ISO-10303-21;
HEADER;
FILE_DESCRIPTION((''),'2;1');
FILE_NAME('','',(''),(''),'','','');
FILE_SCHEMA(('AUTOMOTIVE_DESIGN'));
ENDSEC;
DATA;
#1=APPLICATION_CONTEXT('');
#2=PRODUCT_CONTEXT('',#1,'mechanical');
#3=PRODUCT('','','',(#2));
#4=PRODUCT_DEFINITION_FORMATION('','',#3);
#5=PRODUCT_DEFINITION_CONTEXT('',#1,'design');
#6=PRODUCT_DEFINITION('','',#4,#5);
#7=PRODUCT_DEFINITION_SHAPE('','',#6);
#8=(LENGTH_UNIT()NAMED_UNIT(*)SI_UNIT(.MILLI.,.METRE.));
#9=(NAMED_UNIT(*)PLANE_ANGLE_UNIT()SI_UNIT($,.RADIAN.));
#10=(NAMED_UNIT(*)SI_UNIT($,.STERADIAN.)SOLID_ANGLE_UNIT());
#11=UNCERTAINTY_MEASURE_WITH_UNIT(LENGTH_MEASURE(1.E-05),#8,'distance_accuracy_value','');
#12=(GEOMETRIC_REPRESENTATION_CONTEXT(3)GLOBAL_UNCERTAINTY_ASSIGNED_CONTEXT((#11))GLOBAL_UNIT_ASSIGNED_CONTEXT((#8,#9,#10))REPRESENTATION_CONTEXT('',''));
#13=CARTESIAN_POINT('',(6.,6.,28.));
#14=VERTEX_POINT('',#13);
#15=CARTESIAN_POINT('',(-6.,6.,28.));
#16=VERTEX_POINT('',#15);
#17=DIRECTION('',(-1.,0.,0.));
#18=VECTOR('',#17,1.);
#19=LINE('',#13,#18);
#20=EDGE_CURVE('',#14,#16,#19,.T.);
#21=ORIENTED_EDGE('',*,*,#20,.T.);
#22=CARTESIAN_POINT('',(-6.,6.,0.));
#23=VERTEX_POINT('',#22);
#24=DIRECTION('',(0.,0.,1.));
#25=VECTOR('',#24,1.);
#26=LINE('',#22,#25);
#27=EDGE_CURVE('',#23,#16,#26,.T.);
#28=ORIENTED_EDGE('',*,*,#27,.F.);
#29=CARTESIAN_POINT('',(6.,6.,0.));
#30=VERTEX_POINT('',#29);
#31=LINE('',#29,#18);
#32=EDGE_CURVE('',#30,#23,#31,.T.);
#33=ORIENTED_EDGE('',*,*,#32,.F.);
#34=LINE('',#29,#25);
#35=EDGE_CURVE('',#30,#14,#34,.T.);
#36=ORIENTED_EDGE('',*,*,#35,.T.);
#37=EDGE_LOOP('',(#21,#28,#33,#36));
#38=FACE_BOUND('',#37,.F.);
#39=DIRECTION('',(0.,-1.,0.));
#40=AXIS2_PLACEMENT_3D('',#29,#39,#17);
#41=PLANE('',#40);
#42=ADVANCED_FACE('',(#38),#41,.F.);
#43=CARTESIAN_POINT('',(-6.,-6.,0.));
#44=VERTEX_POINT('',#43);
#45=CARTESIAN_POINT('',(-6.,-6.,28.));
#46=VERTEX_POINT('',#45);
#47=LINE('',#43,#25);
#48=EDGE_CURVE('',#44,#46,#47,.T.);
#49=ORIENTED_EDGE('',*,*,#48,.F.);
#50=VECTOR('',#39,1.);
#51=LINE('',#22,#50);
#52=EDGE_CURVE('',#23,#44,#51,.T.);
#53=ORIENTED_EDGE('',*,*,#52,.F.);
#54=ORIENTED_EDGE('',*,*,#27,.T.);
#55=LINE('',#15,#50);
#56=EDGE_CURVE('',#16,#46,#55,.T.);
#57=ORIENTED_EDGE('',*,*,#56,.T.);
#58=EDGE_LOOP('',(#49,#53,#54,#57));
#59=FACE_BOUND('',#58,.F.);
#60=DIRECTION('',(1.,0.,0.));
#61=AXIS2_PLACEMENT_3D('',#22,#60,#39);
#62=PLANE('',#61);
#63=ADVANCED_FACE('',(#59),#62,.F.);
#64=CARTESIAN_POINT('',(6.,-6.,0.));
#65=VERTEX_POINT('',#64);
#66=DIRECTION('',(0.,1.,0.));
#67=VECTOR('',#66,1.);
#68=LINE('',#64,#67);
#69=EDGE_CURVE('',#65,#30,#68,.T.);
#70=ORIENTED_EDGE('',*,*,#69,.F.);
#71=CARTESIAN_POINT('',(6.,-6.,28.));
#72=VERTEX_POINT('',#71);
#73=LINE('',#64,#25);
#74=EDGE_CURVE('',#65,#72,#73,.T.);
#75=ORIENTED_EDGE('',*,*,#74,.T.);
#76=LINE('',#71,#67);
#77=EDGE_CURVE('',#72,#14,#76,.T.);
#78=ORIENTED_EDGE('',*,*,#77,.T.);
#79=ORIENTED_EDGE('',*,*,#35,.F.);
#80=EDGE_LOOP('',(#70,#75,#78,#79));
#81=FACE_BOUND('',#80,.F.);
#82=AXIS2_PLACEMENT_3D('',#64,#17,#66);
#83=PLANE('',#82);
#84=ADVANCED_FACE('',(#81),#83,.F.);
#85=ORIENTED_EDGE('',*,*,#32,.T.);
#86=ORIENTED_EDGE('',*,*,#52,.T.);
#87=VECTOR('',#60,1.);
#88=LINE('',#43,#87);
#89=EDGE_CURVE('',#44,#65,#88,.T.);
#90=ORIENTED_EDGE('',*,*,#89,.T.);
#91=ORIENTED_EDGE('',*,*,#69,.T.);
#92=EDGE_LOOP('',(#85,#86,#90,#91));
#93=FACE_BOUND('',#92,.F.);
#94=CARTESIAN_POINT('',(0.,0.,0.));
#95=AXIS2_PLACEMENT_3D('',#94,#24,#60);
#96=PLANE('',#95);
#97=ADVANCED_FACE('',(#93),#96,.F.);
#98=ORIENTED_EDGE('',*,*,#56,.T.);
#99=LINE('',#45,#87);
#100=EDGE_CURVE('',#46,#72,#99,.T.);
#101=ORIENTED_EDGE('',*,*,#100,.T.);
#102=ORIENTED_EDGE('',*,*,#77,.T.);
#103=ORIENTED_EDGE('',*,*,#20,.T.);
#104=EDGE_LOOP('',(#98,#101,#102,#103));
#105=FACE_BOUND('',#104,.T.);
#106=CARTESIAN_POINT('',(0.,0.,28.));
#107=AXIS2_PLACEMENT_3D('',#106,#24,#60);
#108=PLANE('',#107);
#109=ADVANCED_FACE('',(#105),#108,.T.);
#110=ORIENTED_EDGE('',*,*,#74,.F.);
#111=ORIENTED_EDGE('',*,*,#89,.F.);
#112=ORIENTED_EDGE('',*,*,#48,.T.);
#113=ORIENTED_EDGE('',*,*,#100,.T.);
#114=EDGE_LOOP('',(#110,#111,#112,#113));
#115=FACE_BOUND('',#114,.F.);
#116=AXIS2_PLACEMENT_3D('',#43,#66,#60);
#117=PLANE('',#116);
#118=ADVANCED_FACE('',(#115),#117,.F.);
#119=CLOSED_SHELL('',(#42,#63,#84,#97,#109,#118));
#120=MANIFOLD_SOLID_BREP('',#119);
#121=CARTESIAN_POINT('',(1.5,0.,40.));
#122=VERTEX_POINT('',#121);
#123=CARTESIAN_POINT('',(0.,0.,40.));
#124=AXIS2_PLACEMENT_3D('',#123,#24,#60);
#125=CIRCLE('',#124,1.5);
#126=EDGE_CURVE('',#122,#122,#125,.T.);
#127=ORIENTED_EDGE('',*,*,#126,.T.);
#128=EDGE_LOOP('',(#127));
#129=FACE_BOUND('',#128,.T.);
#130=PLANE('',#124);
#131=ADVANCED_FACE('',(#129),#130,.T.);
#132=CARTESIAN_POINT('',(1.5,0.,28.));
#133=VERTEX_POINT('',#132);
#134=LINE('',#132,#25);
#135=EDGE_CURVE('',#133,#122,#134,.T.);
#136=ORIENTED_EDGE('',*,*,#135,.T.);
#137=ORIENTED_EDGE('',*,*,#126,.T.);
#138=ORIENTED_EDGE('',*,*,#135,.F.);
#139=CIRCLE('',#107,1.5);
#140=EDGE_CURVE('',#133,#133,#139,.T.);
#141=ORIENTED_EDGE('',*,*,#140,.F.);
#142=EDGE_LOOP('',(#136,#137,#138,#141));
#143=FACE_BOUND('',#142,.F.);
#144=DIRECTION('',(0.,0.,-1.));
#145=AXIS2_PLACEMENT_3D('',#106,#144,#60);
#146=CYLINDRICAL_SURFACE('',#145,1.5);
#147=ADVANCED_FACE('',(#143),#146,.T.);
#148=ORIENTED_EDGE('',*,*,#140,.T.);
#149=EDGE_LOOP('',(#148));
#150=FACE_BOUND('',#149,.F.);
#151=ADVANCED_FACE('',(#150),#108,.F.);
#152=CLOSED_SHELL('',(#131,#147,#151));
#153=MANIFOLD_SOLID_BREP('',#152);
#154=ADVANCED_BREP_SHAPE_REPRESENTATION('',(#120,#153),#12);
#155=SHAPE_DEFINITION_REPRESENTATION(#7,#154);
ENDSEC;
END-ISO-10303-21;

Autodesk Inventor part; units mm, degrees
ref_plane "YZ Plane" through (0, 0, 0) normal (1, 0, 0) x (0, 1, 0)
ref_plane "XZ Plane" through (0, 0, 0) normal (0, 1, 0) x (-1, 0, 0)
sketch "Skizze1" plane through (0, 0, 0) normal (0, 0, 1) x (1, 0, 0)
  line L0 (-6, -6) -> (6, -6)
  line L1 (6, -6) -> (6, 6)
  line L2 (6, 6) -> (-6, 6)
  line L3 (-6, 6) -> (-6, -6)
extrude "Extrusion1" add sketch "Skizze1" along normal blind 28
ref_plane "Arbeitsebene1" through (0, 0, 28) normal (0, 0, 1) x (1, 0, 0)
sketch "Skizze2" plane through (0, 0, 28) normal (0, 0, 1) x (1, 0, 0)
  circle A0 centre (0, 0) radius 1.5
extrude "Extrusion2" add sketch "Skizze2" along normal blind 12 separate body
properties part number "Motor_N20_ph"
